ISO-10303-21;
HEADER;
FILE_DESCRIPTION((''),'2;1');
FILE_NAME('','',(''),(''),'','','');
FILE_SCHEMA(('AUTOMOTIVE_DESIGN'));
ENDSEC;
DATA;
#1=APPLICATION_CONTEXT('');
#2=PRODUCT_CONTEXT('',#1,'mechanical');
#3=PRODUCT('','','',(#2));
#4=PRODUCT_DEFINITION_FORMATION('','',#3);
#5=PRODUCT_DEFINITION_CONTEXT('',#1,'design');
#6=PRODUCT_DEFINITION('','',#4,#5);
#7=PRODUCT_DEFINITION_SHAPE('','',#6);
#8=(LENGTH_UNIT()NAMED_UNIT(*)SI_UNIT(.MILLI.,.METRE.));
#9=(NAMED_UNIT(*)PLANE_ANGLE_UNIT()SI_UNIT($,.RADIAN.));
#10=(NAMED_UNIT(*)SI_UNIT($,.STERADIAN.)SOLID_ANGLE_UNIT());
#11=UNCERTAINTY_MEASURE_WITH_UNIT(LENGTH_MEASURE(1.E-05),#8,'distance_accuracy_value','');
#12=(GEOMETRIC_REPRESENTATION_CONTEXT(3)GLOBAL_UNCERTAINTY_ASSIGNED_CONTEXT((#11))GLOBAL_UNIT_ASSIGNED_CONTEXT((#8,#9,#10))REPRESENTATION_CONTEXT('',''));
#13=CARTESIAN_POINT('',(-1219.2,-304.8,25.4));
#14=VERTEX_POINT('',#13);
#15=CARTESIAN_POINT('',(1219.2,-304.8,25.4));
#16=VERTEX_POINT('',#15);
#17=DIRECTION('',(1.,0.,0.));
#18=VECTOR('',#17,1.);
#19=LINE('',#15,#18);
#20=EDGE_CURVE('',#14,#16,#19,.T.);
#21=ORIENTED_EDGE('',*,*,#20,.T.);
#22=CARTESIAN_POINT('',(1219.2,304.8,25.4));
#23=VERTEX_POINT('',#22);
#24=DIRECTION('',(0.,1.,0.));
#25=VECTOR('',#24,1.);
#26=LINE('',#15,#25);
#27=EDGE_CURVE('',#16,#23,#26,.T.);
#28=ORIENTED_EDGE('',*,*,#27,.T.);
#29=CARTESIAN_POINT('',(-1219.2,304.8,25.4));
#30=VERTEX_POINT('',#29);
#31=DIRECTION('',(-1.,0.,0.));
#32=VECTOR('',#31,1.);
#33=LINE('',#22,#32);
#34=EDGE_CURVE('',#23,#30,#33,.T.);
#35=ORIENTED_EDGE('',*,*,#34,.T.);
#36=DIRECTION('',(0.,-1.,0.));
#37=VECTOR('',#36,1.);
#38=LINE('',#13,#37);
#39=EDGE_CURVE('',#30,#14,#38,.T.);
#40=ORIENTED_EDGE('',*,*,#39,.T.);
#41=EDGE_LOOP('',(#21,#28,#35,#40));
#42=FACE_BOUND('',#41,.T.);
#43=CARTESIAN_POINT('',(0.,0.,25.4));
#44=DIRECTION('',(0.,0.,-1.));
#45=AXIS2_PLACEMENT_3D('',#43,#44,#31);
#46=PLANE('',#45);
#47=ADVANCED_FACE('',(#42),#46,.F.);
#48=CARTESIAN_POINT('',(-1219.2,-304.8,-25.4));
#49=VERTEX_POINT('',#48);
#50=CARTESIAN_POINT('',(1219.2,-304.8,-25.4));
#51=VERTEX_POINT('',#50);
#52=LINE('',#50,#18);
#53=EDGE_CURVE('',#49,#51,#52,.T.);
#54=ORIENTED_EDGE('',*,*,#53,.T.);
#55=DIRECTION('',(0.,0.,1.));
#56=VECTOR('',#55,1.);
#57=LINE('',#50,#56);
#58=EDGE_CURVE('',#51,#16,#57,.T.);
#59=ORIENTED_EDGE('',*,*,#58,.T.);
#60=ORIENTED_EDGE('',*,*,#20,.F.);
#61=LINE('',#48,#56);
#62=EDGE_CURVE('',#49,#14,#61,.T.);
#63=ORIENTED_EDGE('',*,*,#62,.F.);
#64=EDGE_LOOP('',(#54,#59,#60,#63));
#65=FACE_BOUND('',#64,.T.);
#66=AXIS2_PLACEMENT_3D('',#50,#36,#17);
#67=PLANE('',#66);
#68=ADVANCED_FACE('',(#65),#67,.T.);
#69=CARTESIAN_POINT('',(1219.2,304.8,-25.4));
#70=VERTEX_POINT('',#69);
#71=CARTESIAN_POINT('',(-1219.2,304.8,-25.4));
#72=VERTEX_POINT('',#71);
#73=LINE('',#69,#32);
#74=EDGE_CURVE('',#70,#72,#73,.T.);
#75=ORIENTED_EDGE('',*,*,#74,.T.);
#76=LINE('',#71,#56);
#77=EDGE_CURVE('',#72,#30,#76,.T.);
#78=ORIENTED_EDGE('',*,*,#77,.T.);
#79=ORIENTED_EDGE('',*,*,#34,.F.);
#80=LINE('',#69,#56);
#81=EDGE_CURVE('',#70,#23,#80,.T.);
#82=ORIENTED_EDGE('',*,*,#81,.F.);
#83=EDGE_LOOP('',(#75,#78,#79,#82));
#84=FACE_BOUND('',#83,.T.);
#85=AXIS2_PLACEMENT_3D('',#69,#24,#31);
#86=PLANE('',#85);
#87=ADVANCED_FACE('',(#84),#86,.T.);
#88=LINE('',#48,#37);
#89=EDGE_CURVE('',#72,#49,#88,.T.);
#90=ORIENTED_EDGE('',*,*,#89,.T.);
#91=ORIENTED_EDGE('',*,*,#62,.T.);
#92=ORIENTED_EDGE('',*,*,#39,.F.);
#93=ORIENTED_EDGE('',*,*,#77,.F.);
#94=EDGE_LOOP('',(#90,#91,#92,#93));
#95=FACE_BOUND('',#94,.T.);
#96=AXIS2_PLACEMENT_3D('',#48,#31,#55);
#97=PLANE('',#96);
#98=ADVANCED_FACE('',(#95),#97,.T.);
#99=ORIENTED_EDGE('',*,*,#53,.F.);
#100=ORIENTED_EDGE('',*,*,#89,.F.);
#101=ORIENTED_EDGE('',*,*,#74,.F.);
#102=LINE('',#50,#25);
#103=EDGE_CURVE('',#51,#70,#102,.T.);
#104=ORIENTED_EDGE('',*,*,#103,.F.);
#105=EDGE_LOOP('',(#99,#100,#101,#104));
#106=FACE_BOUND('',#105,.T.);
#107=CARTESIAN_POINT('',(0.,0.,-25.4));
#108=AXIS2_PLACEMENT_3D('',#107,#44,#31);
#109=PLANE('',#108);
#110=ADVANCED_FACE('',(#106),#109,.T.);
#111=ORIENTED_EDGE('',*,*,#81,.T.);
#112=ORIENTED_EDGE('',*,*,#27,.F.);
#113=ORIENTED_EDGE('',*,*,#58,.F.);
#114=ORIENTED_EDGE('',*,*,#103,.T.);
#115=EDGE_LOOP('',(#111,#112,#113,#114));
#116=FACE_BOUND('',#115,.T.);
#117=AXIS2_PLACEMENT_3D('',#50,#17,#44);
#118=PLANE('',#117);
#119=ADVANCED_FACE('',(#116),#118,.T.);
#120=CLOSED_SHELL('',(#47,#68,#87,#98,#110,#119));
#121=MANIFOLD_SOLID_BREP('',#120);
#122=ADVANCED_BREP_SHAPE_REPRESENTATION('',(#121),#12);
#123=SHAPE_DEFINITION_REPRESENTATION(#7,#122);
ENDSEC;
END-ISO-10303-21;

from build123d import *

# Parameters (mm, degrees)
BOSS_EXTRUDE1_DEPTH      = 25.4
BOSS_EXTRUDE1_DEPTH_BACK = 25.4
SKETCH3_W                = 2438.4
SKETCH3_H                = 609.6


with BuildPart() as part:
    # Sketch3 → Boss-Extrude1 (new, two sides: drawn at the far end of the back side and taken through both)
    with BuildSketch(Plane.XY.offset(-BOSS_EXTRUDE1_DEPTH_BACK)):
        Rectangle(SKETCH3_W, SKETCH3_H)
    extrude(amount=BOSS_EXTRUDE1_DEPTH + BOSS_EXTRUDE1_DEPTH_BACK)


solid = part.part
